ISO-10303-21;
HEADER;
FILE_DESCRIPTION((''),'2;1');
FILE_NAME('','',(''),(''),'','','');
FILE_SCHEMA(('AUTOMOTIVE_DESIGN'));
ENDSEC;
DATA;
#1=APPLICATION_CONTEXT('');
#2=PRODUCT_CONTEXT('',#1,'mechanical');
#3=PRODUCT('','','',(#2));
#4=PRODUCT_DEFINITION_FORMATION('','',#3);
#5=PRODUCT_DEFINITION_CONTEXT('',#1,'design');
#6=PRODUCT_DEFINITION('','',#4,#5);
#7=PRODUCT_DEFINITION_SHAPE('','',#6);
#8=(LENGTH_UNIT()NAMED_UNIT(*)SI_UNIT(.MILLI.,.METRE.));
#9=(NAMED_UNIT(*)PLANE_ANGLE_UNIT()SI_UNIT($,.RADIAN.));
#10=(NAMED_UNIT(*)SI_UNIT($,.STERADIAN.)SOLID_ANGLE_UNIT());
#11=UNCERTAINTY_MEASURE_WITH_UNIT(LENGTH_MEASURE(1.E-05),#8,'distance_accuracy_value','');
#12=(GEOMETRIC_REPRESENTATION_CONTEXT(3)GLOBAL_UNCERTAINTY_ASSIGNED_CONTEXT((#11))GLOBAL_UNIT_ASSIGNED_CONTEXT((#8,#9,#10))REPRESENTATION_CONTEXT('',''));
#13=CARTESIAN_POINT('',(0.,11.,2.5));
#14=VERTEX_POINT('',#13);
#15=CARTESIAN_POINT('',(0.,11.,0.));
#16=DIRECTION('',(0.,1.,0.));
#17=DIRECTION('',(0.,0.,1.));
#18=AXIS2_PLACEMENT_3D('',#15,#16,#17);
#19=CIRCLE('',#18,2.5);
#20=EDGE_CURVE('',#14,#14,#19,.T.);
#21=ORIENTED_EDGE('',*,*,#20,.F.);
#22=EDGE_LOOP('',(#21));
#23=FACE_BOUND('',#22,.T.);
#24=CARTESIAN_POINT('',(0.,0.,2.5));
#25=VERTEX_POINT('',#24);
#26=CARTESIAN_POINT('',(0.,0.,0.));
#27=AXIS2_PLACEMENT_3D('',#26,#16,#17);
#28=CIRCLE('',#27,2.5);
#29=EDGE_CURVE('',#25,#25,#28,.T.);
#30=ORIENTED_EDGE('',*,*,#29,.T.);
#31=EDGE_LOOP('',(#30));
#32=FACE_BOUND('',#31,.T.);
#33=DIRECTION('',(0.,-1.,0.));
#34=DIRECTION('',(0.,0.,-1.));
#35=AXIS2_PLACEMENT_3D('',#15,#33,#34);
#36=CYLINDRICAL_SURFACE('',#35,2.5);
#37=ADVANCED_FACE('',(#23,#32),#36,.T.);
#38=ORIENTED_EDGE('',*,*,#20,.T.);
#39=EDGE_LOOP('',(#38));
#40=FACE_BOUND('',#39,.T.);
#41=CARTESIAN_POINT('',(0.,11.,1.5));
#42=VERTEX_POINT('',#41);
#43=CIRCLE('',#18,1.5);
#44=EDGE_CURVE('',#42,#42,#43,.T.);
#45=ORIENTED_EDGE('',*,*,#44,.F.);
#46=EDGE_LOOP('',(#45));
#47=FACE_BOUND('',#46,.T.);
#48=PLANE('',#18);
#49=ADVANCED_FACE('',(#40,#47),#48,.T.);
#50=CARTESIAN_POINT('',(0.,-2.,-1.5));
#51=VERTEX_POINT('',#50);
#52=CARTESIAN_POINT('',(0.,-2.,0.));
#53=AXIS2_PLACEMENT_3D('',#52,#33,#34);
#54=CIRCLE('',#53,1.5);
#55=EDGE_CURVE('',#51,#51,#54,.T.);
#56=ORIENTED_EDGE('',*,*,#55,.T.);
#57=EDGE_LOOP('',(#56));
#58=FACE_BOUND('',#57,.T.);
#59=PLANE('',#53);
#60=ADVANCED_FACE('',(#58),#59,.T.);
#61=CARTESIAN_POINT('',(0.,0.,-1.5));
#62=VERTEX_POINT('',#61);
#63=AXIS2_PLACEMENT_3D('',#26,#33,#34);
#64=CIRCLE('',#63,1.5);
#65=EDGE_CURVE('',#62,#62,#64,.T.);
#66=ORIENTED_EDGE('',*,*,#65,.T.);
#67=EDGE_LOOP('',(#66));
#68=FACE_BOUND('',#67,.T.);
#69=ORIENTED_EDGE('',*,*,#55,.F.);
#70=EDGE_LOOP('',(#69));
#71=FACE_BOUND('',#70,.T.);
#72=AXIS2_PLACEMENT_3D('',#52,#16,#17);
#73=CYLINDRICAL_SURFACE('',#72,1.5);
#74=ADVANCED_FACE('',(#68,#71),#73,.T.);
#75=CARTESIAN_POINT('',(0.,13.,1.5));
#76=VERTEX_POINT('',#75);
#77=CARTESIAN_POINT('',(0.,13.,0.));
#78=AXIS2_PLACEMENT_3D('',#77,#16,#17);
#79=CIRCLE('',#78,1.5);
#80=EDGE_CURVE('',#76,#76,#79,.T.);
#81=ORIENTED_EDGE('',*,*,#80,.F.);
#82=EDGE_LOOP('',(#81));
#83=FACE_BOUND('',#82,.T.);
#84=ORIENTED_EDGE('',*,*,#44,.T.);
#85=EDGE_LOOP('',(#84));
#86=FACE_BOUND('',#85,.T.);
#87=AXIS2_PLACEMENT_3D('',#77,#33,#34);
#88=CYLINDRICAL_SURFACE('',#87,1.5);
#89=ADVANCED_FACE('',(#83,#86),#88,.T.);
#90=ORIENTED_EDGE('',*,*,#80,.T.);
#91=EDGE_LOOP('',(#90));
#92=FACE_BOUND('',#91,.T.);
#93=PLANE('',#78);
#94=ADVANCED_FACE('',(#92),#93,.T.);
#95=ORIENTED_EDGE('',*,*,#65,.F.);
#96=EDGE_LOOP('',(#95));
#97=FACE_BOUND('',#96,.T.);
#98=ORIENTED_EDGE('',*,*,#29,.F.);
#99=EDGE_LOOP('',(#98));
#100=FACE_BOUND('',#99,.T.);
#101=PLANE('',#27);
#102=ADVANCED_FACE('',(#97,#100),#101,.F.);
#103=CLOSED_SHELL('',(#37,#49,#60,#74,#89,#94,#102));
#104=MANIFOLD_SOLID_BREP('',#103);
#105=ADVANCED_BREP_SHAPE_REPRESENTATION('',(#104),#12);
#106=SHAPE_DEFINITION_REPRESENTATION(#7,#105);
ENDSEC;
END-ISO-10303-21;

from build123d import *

# Parameters (mm, degrees)
SKETCH_1_R      = 2.5
EXTRUDE_1_DEPTH = 11
SKETCH_2_R      = 1.5
EXTRUDE_2_DEPTH = 2
EXTRUDE_START   = 2
SKETCH_4_R      = 1.5
EXTRUDE_3_DEPTH = 2


with BuildPart() as part:
    # Эскиз1 → Бобышка-Вытянуть1 (new body)
    with BuildSketch(Plane(origin=(0, 0, 0), x_dir=(1, 0, 0), z_dir=(0, 1, 0))):
        with Locations(Location((0, 0, 0), (0, 0, 270))):
            Circle(SKETCH_1_R)
    extrude(amount=EXTRUDE_1_DEPTH)

    # Эскиз2 → Бобышка-Вытянуть2 (add)
    with BuildSketch(Plane(origin=(0, 11, 0), x_dir=(1, 0, 0), z_dir=(0, 1, 0))):
        with Locations(Location((0, 0, 0), (0, 0, 270))):
            Circle(SKETCH_2_R)
    extrude(amount=EXTRUDE_2_DEPTH)

    # Эскиз4 → Бобышка-Вытянуть3 (add)
    with BuildSketch(Plane.XZ.offset(EXTRUDE_START)):
        with Locations(Location((0, 0, 0), (0, 0, 90))):
            Circle(SKETCH_4_R)
    extrude(amount=-EXTRUDE_3_DEPTH)


solid = part.part
